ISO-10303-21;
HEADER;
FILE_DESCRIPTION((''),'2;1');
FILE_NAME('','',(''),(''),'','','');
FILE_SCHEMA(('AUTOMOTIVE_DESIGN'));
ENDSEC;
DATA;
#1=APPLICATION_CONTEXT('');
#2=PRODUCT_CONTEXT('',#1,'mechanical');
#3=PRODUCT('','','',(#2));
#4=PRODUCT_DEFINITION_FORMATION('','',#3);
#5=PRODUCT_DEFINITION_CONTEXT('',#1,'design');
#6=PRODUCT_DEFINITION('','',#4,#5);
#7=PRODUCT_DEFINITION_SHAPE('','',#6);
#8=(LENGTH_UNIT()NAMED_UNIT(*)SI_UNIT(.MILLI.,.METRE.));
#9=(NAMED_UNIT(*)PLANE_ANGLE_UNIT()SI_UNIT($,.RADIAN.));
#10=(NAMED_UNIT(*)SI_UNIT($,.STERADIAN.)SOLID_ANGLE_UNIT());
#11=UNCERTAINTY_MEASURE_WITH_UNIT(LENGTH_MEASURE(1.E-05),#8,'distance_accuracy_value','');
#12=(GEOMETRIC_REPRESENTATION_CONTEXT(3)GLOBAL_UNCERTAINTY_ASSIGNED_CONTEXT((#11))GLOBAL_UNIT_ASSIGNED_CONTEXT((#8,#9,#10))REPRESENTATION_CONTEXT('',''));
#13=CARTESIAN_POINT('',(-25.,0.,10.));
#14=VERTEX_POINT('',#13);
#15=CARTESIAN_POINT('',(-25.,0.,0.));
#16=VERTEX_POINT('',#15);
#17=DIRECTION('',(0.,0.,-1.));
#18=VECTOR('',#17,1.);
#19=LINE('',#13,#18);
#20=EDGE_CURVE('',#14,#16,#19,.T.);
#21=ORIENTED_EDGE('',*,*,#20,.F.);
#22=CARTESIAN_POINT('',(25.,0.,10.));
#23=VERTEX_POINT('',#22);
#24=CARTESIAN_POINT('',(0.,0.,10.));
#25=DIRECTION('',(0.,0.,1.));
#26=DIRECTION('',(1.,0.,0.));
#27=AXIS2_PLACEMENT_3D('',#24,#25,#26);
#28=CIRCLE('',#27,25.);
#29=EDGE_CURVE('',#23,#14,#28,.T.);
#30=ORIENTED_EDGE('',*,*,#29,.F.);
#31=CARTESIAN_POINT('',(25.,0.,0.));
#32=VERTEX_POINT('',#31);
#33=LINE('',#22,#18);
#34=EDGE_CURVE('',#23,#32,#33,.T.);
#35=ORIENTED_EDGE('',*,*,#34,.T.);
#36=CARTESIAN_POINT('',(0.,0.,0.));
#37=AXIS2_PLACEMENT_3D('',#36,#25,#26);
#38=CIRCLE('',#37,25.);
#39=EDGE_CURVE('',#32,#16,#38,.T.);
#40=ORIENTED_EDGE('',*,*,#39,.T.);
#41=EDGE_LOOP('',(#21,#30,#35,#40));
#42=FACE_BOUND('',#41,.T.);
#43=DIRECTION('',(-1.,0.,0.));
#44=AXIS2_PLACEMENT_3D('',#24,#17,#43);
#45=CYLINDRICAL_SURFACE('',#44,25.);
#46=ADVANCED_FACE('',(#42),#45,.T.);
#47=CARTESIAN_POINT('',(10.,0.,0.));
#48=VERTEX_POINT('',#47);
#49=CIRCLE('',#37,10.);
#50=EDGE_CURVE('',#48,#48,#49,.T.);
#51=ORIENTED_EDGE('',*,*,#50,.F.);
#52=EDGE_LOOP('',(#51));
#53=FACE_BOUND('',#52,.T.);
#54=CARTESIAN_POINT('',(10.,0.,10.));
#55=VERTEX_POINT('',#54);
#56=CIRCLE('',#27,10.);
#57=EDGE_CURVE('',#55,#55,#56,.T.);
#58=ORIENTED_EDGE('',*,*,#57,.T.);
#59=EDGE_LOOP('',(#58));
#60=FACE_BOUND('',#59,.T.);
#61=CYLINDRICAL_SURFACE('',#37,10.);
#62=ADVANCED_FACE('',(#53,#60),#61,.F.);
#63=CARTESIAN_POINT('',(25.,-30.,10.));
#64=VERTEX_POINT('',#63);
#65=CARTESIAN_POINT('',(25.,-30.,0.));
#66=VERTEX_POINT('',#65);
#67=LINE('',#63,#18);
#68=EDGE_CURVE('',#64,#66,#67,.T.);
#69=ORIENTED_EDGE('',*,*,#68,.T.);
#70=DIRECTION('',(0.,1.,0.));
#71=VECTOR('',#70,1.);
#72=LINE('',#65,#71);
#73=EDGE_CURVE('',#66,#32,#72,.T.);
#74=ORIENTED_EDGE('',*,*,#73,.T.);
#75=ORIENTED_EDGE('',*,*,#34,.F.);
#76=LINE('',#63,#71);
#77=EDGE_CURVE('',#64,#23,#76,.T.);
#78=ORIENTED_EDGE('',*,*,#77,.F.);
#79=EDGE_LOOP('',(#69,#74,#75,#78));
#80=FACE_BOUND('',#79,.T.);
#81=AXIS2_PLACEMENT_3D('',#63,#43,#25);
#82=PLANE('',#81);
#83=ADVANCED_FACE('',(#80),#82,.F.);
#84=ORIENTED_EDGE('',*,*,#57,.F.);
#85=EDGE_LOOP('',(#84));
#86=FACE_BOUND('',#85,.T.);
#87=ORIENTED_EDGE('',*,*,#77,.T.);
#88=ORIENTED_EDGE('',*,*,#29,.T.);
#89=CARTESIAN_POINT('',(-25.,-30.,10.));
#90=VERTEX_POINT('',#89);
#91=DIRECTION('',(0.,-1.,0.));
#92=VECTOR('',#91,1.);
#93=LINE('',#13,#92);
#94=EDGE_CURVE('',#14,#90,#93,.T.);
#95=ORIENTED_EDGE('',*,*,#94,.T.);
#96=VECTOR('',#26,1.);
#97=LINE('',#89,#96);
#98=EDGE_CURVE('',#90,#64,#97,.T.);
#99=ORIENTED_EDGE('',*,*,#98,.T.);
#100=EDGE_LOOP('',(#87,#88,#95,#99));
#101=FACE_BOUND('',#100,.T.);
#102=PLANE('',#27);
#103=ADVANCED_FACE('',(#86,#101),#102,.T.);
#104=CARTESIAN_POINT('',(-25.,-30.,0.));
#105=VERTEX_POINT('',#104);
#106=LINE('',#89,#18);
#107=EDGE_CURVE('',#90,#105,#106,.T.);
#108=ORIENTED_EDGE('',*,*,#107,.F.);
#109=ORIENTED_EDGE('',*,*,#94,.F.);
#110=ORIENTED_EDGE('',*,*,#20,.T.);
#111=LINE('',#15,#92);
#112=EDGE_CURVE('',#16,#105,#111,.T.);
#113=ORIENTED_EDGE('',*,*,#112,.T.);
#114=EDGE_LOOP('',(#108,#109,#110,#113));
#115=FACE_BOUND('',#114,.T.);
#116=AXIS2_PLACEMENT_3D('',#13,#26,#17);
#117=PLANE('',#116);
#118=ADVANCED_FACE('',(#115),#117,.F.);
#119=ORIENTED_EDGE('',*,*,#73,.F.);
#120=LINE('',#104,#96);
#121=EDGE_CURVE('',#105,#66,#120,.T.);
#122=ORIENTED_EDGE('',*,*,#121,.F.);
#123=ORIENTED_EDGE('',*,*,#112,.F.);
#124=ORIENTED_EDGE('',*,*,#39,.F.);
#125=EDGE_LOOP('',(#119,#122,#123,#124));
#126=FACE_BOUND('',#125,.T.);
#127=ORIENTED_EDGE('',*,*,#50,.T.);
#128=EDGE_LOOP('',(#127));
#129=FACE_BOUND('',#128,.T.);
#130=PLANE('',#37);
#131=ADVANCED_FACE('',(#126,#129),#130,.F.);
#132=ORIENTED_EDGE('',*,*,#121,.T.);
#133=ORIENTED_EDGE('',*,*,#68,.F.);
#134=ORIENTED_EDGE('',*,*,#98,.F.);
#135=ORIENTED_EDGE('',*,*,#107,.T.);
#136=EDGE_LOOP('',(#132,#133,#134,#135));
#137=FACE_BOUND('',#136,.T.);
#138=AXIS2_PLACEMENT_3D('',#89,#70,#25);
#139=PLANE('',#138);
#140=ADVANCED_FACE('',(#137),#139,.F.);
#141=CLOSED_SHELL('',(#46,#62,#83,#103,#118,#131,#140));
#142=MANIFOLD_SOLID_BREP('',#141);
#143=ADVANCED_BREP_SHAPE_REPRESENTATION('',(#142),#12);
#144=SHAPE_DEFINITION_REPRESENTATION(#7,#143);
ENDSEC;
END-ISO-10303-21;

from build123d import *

# Parameters (mm, degrees)
BOSS_EXTRUDE1_DEPTH = 10
SKETCH2_R           = 10
CUT_EXTRUDE1_DEPTH  = 10


with BuildPart() as part:
    # Sketch1 → Boss-Extrude1 (new body)
    with BuildSketch(Plane.XY):
        with BuildLine():
            Line((-25, 0), (-25, -30))
            Line((-25, -30), (25, -30))
            Line((25, -30), (25, 0))
            ThreePointArc((25, 0), (0, 25), (-25, 0))
        make_face()
    extrude(amount=BOSS_EXTRUDE1_DEPTH)

    # Sketch2 → Cut-Extrude1 (cut)
    with BuildSketch(Plane.XY.offset(10)):
        Circle(SKETCH2_R)
    extrude(amount=-CUT_EXTRUDE1_DEPTH, mode=Mode.SUBTRACT)


solid = part.part
